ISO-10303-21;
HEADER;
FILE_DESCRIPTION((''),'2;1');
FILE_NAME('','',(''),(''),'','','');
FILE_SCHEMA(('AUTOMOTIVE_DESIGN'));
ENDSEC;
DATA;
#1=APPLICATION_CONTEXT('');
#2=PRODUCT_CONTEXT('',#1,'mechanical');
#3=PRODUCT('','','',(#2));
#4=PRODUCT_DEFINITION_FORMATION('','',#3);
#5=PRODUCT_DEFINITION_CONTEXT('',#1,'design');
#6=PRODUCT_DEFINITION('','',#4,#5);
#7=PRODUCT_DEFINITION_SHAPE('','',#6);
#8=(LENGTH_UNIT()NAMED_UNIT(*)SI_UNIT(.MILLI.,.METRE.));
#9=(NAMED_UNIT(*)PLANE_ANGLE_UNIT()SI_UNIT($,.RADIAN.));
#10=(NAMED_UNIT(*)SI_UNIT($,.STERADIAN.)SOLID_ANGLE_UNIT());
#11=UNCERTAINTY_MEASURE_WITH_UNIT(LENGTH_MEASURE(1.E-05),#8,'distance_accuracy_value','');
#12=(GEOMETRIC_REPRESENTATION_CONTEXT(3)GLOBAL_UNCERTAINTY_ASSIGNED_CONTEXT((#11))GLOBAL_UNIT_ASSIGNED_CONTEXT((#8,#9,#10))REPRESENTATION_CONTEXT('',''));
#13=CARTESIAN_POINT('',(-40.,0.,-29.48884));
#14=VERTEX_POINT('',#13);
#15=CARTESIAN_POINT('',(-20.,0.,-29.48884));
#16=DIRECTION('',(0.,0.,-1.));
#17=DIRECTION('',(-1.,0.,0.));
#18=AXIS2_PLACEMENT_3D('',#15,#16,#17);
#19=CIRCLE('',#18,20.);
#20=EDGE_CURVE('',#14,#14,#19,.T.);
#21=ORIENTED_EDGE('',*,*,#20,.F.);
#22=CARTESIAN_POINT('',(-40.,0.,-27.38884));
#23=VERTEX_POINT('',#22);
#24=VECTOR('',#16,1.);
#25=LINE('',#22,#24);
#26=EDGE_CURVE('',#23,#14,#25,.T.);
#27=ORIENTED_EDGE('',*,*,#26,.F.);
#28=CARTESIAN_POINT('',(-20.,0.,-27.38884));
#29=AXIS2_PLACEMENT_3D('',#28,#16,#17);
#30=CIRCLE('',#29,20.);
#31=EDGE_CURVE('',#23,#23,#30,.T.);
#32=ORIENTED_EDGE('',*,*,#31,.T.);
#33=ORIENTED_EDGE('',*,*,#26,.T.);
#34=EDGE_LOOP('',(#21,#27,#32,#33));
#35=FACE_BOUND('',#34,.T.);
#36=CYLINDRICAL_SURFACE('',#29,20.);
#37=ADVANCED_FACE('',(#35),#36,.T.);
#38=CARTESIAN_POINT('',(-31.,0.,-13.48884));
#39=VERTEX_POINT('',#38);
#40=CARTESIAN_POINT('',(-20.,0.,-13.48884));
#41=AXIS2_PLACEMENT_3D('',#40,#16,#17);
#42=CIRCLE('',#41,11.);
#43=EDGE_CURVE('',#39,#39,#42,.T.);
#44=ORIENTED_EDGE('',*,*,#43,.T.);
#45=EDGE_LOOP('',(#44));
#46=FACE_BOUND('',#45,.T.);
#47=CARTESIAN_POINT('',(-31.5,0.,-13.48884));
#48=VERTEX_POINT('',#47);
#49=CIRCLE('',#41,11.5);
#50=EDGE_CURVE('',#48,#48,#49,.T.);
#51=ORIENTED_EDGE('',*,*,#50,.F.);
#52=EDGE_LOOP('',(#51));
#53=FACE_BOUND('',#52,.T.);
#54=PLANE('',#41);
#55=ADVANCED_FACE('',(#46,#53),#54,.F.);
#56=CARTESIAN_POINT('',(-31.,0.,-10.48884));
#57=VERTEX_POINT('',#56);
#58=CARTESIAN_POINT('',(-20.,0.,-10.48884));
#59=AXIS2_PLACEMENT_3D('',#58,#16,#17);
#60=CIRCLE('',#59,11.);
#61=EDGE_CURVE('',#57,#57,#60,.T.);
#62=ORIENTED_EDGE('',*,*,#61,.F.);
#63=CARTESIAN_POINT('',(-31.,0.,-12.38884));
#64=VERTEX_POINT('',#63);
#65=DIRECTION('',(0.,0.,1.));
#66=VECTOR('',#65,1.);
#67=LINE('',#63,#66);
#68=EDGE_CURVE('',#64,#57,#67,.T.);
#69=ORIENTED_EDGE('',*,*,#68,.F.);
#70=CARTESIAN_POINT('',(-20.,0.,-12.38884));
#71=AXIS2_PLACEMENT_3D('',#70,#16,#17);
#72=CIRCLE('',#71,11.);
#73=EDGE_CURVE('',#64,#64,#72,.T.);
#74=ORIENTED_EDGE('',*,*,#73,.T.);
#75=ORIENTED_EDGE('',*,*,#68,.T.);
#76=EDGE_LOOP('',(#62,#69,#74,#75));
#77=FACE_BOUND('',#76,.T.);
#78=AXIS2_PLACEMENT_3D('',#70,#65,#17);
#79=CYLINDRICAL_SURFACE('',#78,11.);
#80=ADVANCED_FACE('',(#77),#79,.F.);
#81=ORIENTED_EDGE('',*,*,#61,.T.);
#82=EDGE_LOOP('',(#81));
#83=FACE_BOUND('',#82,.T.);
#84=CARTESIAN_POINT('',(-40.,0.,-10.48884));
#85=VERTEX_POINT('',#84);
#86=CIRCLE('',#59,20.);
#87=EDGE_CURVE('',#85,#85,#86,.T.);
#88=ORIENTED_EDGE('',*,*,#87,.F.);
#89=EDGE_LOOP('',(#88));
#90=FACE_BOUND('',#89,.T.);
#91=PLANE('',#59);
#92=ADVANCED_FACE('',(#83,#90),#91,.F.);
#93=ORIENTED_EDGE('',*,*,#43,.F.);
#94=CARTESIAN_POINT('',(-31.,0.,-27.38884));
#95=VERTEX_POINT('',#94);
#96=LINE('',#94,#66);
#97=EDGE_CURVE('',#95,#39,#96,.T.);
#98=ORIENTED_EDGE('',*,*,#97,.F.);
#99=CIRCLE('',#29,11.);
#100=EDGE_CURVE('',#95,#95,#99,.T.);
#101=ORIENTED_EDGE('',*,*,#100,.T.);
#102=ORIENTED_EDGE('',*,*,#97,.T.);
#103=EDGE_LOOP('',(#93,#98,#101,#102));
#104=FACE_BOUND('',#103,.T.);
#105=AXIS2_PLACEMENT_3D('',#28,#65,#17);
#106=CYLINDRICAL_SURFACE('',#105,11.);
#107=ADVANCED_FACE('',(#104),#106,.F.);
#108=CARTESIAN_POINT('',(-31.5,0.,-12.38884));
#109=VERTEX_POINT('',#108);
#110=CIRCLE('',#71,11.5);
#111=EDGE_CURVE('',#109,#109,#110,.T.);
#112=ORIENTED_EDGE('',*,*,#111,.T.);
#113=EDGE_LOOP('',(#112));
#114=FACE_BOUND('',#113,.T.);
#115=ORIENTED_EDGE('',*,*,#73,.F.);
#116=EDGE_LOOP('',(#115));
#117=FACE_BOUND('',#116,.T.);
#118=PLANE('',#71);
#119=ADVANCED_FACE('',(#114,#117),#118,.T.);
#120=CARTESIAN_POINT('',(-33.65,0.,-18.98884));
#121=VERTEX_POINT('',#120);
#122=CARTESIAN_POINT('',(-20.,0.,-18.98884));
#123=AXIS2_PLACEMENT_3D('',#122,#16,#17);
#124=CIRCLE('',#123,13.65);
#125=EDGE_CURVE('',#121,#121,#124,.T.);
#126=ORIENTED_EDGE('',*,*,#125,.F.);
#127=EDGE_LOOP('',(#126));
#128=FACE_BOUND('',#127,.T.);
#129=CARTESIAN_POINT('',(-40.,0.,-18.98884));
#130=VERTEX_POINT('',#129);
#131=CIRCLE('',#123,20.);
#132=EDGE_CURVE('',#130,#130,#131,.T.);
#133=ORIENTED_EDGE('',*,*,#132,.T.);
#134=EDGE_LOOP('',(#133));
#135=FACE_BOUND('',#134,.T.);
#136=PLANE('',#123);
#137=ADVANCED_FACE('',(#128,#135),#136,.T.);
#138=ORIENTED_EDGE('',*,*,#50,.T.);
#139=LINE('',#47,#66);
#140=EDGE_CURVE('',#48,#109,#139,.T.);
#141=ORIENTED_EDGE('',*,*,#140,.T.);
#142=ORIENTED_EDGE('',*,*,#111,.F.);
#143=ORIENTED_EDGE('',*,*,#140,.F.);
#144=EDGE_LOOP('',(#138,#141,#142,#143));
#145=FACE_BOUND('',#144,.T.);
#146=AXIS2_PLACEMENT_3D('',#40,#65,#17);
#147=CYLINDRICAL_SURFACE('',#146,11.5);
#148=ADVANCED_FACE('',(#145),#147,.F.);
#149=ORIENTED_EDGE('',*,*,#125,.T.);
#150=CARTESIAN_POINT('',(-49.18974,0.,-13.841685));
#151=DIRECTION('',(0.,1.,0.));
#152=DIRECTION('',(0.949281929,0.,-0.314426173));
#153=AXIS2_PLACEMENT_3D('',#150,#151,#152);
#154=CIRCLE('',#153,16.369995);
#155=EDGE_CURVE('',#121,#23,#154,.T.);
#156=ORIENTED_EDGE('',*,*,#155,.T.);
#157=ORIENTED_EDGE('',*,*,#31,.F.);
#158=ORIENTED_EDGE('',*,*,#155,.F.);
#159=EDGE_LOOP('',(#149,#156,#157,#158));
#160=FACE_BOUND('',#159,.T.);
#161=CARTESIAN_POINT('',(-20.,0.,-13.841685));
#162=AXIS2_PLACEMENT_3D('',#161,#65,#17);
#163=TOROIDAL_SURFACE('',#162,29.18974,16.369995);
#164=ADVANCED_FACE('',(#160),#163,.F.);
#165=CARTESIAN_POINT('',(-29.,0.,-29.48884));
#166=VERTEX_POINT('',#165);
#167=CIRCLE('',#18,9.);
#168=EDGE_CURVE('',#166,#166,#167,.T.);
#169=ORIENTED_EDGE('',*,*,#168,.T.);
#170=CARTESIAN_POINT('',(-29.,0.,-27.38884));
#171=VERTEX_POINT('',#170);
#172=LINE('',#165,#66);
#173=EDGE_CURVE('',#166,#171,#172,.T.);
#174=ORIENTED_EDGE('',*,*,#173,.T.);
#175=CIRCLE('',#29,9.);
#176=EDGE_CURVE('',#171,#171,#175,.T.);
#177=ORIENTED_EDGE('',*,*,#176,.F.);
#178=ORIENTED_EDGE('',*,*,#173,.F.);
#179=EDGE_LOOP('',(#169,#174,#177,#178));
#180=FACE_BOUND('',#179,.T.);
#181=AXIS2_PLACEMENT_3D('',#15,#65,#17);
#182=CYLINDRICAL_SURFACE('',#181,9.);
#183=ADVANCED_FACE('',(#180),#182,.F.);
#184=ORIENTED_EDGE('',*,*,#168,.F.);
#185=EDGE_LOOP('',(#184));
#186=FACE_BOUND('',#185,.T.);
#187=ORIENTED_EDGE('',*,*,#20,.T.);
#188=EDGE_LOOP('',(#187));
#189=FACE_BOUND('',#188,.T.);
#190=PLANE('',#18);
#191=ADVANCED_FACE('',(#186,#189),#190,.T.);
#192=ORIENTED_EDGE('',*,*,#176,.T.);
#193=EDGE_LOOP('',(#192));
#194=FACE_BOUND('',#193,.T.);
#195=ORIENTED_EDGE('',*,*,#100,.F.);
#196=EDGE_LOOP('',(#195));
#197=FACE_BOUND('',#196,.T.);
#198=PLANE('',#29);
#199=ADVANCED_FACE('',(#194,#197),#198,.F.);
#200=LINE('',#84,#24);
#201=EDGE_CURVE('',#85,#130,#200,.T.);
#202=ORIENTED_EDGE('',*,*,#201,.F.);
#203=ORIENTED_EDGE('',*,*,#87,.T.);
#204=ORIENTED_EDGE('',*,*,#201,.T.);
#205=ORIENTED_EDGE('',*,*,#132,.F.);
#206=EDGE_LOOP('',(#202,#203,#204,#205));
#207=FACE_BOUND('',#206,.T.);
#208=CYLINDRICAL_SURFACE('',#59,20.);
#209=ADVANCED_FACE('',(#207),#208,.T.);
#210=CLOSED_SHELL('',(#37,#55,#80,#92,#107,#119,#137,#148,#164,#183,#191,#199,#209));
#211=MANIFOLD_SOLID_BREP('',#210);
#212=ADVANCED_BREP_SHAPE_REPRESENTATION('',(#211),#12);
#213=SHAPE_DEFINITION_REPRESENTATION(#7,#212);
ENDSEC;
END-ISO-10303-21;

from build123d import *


with BuildPart() as f1:
    # F0 (on Front) → F1 (revolve)
    with BuildSketch(Plane.XZ):
        with BuildLine():
            Line((-31, -10.48884), (-40, -10.48884))
            Line((-40, -10.48884), (-40, -18.98884))
            Line((-40, -18.98884), (-33.65, -18.98884))
            ThreePointArc((-33.65, -18.98884), (-36.131149, -23.713358), (-40, -27.38884))
            Line((-40, -27.38884), (-40, -29.48884))
            Line((-40, -29.48884), (-29, -29.48884))
            Line((-29, -29.48884), (-29, -27.38884))
            Line((-29, -27.38884), (-31, -27.38884))
            Line((-31, -27.38884), (-31, -13.48884))
            Line((-31, -13.48884), (-31.5, -13.48884))
            Line((-31.5, -13.48884), (-31.5, -12.38884))
            Line((-31.5, -12.38884), (-31, -12.38884))
            Line((-31, -12.38884), (-31, -10.48884))
        make_face()
    revolve(axis=Axis((-20, 0, -19.98884), (0, 0, -1)))


solid = f1.part
